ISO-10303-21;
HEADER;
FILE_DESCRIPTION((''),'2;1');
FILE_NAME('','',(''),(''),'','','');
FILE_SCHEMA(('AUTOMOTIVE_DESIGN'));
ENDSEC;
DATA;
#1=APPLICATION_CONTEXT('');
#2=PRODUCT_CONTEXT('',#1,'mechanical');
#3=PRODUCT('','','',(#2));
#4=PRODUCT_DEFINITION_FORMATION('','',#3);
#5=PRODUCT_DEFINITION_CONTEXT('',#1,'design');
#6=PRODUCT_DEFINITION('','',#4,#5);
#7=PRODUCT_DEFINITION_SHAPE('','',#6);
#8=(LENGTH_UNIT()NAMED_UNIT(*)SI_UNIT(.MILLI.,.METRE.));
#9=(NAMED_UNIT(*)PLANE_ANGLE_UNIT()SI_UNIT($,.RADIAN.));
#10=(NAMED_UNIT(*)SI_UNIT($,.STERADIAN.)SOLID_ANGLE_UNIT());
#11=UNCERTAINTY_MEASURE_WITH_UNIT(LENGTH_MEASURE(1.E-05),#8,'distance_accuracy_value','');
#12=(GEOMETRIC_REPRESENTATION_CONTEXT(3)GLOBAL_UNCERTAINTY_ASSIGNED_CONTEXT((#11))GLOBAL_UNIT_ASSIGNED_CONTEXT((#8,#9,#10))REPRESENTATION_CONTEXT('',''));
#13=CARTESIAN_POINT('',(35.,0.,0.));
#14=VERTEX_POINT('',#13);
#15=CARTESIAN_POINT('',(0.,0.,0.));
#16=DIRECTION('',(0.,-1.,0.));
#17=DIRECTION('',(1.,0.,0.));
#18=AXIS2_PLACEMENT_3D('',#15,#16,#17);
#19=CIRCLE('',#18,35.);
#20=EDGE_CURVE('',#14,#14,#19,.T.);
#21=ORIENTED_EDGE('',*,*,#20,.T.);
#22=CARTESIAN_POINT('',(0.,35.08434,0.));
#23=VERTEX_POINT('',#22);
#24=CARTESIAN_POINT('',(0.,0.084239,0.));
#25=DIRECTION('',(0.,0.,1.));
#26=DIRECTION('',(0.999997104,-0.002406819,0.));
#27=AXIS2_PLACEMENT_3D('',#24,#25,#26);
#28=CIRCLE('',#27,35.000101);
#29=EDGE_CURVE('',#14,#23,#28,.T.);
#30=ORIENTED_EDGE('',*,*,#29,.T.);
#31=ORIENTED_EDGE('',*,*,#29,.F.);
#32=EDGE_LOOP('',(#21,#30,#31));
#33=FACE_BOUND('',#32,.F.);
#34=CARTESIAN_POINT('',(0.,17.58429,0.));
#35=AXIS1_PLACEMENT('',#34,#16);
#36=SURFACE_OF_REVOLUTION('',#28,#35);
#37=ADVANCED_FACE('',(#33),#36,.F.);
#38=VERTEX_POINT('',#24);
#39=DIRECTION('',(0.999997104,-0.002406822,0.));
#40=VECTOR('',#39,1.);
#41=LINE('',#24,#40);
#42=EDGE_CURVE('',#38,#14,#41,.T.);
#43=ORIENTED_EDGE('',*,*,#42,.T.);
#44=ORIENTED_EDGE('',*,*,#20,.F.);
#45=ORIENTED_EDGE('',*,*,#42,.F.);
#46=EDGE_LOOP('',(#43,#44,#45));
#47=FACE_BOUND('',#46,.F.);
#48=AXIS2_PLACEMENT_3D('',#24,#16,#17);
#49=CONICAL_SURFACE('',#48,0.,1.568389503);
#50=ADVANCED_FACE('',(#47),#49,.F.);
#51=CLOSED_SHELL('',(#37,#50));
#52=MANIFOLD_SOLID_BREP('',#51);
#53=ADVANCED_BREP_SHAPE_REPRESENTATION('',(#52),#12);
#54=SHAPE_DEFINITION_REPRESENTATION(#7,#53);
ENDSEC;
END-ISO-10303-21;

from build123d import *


with BuildPart() as f1:
    # F0 (on Top) → F1 (revolve)
    with BuildSketch(Plane.XY):
        with BuildLine():
            Line((0, 0.084239), (35, 0))
            ThreePointArc((35, 0), (24.778574, 24.803247), (0, 35.08434))
            Line((0, 35.08434), (0, 0.084239))
        make_face()
    revolve(axis=Axis((0, 17.58429, 0), (0, -1, 0)))


solid = f1.part
